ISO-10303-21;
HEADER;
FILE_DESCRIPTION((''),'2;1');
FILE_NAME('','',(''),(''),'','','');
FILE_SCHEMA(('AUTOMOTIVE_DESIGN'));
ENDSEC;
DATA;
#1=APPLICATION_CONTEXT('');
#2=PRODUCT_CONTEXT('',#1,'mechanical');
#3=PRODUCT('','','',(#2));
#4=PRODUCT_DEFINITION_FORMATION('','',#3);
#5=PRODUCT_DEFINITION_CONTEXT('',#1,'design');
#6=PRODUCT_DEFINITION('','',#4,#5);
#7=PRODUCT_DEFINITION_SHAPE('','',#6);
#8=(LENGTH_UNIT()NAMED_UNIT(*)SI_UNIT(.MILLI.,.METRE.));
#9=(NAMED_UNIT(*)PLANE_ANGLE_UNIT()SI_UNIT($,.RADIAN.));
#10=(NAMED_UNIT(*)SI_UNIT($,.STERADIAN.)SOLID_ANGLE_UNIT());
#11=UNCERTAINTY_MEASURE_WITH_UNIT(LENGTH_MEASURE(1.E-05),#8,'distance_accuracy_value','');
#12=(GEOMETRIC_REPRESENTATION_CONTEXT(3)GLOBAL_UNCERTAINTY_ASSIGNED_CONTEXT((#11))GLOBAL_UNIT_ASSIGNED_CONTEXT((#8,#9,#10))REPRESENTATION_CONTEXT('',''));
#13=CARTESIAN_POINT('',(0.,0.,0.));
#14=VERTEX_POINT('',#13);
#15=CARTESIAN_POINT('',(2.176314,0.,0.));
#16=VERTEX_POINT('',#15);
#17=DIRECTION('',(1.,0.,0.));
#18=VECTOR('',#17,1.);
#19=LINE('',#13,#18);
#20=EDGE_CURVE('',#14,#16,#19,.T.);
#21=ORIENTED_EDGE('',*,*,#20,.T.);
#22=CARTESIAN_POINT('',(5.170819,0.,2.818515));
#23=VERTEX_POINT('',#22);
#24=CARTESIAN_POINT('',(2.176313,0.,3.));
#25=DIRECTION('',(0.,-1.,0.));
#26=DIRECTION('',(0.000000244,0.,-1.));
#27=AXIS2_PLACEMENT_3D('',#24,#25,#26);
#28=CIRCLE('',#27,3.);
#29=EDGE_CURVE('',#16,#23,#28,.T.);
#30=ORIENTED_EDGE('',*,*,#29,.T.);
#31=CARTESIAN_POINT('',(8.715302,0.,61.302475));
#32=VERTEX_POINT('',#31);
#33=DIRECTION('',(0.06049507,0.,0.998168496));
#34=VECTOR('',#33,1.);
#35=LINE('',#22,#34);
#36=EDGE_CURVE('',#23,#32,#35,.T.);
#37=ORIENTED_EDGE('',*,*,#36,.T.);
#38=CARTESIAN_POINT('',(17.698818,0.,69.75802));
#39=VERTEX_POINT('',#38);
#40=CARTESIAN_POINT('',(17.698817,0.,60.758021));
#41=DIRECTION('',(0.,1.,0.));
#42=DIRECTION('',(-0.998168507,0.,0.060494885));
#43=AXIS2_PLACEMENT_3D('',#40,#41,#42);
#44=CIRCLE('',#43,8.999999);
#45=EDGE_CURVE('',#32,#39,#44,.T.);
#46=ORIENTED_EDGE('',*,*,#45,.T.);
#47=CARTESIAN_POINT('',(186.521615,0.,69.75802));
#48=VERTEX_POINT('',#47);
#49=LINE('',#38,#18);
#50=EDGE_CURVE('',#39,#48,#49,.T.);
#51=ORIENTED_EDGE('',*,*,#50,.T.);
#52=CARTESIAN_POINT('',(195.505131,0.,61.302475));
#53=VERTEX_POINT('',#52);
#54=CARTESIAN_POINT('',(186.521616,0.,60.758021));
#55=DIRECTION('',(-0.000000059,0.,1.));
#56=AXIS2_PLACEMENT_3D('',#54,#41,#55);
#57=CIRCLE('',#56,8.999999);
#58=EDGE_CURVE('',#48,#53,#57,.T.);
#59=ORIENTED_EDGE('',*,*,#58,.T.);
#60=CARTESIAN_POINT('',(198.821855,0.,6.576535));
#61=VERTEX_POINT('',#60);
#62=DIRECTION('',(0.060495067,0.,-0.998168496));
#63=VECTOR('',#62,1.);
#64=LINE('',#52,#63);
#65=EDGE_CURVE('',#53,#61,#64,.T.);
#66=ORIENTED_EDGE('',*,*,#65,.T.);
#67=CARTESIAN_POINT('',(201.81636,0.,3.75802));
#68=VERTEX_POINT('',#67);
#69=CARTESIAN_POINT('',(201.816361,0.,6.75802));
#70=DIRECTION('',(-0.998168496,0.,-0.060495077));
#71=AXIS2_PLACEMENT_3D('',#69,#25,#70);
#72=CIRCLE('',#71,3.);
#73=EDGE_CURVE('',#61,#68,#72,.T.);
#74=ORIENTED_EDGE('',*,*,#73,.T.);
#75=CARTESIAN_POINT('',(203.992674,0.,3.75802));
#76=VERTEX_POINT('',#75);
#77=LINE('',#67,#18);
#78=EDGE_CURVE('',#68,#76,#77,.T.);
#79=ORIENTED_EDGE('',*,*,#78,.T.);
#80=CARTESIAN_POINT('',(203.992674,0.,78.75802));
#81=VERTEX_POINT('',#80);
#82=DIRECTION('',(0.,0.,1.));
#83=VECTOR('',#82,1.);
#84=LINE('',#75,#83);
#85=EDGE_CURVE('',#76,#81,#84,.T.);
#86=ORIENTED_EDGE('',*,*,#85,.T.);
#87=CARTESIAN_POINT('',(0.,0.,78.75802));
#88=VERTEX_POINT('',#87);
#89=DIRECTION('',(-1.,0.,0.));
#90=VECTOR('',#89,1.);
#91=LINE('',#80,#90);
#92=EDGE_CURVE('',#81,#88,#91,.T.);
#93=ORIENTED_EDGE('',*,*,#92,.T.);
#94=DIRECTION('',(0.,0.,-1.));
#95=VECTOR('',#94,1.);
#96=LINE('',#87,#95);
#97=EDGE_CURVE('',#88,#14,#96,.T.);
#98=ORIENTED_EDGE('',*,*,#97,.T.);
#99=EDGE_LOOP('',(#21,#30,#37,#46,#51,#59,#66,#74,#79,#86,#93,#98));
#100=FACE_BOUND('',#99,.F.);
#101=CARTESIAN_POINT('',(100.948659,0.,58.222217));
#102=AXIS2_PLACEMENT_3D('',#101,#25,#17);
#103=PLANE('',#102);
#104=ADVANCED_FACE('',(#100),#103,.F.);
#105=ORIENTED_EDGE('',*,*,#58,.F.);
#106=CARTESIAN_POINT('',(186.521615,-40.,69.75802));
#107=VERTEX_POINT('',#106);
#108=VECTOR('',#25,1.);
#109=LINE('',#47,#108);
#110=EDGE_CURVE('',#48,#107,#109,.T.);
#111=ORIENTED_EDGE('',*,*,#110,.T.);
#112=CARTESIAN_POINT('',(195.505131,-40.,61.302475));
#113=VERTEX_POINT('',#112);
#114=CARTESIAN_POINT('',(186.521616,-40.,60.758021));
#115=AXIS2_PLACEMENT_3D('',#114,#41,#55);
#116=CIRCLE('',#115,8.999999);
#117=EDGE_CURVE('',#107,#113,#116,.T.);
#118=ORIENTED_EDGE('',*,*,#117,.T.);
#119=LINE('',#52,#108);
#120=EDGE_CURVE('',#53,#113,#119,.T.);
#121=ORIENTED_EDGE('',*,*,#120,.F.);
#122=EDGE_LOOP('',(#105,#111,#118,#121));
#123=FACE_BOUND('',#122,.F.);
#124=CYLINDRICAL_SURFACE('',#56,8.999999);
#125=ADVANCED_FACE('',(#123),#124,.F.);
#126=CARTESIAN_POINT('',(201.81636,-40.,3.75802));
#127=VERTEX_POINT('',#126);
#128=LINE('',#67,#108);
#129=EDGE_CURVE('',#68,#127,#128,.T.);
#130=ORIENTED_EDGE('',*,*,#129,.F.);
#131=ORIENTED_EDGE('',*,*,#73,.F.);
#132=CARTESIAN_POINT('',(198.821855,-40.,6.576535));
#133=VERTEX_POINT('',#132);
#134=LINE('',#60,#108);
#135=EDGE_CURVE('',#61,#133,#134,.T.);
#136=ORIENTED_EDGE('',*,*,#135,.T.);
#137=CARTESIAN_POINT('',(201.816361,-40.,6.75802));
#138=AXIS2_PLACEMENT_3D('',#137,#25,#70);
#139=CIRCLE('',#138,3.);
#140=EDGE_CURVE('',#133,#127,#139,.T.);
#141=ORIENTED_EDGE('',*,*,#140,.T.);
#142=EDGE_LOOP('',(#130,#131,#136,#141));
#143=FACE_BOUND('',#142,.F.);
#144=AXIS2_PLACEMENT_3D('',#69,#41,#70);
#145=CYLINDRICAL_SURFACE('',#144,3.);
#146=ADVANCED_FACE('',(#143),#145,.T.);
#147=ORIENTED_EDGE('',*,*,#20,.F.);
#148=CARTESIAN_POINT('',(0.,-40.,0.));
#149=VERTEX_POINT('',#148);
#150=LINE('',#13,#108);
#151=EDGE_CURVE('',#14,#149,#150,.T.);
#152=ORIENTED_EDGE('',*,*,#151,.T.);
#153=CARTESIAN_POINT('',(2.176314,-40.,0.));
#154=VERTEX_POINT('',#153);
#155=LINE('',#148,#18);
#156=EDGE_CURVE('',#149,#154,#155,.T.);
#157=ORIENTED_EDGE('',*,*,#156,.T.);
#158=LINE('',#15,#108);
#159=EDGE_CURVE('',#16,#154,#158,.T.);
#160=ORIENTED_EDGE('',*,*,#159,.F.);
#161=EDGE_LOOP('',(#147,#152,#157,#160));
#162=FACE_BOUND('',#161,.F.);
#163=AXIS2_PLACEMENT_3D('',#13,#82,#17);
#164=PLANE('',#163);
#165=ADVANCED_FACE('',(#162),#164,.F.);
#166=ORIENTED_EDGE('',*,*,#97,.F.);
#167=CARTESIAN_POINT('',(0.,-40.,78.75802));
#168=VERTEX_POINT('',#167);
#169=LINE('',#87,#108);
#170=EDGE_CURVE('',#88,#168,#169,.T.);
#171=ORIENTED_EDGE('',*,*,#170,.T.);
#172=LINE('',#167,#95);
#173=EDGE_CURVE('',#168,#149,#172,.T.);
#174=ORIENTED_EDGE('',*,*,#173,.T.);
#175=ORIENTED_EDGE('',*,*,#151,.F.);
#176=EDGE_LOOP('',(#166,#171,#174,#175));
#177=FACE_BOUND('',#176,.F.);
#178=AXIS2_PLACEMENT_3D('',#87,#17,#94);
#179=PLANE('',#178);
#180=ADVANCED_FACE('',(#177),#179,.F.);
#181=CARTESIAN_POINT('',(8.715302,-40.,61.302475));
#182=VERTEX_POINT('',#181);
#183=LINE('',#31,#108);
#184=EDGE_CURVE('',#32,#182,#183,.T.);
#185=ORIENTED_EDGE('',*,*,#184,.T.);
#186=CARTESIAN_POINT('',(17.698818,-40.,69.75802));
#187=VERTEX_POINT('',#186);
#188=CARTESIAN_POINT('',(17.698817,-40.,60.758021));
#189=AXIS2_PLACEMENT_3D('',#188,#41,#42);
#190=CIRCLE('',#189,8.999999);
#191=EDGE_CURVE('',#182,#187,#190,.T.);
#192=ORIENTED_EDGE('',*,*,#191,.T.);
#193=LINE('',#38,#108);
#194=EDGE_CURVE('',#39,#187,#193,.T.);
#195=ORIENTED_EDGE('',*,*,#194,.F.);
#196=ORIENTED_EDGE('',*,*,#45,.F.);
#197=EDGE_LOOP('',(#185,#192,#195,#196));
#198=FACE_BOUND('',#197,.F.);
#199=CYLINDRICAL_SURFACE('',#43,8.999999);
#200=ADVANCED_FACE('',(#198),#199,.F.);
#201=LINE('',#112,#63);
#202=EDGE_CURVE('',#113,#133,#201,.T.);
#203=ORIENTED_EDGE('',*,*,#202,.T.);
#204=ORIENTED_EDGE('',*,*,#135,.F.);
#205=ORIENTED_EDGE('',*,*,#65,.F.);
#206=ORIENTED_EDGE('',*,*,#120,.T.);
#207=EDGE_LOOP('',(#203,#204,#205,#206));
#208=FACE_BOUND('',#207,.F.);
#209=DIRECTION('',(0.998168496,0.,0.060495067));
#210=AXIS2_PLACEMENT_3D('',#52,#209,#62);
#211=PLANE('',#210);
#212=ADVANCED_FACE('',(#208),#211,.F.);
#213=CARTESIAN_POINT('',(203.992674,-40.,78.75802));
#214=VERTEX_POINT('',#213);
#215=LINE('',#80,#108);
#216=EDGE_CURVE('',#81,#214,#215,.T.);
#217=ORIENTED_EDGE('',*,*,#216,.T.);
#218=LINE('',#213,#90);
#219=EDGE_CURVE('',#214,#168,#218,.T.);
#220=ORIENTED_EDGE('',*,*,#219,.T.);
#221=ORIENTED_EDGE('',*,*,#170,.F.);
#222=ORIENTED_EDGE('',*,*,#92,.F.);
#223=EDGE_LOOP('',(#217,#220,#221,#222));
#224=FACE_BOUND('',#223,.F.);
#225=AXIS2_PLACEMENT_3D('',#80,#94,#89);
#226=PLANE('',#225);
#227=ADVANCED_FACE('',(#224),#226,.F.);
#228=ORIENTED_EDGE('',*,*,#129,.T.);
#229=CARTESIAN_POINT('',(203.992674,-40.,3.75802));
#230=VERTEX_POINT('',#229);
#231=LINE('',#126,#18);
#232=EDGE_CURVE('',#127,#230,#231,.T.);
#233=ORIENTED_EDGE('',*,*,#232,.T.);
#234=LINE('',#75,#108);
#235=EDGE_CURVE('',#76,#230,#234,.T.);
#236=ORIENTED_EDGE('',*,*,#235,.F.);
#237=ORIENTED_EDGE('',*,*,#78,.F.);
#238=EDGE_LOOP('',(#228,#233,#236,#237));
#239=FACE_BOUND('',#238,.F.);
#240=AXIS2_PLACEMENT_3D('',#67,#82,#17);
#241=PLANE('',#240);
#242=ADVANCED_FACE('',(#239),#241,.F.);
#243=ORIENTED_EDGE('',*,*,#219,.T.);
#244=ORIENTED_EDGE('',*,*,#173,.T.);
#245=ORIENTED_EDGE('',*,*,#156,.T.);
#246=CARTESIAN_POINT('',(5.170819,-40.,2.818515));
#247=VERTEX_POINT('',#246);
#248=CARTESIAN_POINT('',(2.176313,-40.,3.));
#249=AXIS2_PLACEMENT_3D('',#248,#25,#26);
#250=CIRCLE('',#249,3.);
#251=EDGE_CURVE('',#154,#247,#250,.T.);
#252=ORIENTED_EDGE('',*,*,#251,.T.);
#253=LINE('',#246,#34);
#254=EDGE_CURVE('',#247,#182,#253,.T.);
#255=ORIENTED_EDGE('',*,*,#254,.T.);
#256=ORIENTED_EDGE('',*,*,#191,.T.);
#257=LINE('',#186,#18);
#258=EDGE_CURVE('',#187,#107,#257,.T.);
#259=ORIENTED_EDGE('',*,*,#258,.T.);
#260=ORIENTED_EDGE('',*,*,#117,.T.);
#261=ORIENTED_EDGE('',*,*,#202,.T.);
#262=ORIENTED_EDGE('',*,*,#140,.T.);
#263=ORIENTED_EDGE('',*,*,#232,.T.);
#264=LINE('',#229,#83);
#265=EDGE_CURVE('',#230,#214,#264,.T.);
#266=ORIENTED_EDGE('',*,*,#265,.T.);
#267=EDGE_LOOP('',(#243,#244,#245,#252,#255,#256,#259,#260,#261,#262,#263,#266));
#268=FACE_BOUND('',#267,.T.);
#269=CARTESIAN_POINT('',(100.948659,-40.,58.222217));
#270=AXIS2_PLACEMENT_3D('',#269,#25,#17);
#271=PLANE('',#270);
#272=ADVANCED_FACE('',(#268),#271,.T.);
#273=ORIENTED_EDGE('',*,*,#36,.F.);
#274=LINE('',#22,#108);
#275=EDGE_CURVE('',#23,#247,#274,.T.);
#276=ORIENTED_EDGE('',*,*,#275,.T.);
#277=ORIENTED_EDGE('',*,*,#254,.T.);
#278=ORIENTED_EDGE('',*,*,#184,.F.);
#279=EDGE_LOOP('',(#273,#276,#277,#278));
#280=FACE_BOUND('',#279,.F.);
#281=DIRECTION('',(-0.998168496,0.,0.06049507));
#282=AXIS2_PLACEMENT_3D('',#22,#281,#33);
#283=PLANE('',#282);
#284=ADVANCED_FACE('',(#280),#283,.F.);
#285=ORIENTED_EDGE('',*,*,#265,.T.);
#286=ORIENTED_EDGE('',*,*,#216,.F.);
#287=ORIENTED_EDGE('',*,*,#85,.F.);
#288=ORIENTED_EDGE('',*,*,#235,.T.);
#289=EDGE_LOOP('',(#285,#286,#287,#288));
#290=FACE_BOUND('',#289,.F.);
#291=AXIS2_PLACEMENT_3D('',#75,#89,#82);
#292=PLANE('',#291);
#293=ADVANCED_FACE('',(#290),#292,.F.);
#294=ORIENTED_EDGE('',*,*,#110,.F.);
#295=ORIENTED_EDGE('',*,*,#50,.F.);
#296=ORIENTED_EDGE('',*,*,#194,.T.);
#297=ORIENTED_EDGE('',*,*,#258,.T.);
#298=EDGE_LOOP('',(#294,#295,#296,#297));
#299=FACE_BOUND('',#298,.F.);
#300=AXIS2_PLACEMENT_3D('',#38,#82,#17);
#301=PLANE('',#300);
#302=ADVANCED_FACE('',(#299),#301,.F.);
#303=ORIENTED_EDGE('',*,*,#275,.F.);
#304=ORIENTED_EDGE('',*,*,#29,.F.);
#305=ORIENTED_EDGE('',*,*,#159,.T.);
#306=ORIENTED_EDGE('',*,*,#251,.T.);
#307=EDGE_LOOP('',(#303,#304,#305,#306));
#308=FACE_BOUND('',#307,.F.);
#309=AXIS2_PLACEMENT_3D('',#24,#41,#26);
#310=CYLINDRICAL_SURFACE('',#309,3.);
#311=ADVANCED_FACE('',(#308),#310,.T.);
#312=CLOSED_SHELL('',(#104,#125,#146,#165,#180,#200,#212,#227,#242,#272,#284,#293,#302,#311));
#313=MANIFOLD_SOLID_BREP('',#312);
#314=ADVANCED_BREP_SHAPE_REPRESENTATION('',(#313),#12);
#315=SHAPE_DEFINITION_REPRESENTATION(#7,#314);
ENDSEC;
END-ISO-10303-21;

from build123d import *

# Parameters (mm, degrees)
F1_DEPTH = 40


with BuildPart() as f1:
    # F0 (on Front) → F1 (new body)
    with BuildSketch(Plane.XZ):
        with BuildLine():
            Line((201.81636, 3.75802), (203.992674, 3.75802))
            Line((203.992674, 3.75802), (203.992674, 78.75802))
            Line((203.992674, 78.75802), (0, 78.75802))
            Line((0, 78.75802), (0, 0))
            Line((0, 0), (2.176314, 0))
            ThreePointArc((2.176314, 0), (4.232468, 0.815457), (5.170819, 2.818515))
            Line((5.170819, 2.818515), (8.715302, 61.302475))
            ThreePointArc((8.715302, 61.302475), (11.530354, 67.311649), (17.698818, 69.75802))
            Line((17.698818, 69.75802), (186.521615, 69.75802))
            ThreePointArc((186.521615, 69.75802), (192.690079, 67.311649), (195.505131, 61.302475))
            Line((195.505131, 61.302475), (198.821855, 6.576535))
            ThreePointArc((198.821855, 6.576535), (199.760206, 4.573477), (201.81636, 3.75802))
        make_face()
    extrude(amount=F1_DEPTH)


solid = f1.part
